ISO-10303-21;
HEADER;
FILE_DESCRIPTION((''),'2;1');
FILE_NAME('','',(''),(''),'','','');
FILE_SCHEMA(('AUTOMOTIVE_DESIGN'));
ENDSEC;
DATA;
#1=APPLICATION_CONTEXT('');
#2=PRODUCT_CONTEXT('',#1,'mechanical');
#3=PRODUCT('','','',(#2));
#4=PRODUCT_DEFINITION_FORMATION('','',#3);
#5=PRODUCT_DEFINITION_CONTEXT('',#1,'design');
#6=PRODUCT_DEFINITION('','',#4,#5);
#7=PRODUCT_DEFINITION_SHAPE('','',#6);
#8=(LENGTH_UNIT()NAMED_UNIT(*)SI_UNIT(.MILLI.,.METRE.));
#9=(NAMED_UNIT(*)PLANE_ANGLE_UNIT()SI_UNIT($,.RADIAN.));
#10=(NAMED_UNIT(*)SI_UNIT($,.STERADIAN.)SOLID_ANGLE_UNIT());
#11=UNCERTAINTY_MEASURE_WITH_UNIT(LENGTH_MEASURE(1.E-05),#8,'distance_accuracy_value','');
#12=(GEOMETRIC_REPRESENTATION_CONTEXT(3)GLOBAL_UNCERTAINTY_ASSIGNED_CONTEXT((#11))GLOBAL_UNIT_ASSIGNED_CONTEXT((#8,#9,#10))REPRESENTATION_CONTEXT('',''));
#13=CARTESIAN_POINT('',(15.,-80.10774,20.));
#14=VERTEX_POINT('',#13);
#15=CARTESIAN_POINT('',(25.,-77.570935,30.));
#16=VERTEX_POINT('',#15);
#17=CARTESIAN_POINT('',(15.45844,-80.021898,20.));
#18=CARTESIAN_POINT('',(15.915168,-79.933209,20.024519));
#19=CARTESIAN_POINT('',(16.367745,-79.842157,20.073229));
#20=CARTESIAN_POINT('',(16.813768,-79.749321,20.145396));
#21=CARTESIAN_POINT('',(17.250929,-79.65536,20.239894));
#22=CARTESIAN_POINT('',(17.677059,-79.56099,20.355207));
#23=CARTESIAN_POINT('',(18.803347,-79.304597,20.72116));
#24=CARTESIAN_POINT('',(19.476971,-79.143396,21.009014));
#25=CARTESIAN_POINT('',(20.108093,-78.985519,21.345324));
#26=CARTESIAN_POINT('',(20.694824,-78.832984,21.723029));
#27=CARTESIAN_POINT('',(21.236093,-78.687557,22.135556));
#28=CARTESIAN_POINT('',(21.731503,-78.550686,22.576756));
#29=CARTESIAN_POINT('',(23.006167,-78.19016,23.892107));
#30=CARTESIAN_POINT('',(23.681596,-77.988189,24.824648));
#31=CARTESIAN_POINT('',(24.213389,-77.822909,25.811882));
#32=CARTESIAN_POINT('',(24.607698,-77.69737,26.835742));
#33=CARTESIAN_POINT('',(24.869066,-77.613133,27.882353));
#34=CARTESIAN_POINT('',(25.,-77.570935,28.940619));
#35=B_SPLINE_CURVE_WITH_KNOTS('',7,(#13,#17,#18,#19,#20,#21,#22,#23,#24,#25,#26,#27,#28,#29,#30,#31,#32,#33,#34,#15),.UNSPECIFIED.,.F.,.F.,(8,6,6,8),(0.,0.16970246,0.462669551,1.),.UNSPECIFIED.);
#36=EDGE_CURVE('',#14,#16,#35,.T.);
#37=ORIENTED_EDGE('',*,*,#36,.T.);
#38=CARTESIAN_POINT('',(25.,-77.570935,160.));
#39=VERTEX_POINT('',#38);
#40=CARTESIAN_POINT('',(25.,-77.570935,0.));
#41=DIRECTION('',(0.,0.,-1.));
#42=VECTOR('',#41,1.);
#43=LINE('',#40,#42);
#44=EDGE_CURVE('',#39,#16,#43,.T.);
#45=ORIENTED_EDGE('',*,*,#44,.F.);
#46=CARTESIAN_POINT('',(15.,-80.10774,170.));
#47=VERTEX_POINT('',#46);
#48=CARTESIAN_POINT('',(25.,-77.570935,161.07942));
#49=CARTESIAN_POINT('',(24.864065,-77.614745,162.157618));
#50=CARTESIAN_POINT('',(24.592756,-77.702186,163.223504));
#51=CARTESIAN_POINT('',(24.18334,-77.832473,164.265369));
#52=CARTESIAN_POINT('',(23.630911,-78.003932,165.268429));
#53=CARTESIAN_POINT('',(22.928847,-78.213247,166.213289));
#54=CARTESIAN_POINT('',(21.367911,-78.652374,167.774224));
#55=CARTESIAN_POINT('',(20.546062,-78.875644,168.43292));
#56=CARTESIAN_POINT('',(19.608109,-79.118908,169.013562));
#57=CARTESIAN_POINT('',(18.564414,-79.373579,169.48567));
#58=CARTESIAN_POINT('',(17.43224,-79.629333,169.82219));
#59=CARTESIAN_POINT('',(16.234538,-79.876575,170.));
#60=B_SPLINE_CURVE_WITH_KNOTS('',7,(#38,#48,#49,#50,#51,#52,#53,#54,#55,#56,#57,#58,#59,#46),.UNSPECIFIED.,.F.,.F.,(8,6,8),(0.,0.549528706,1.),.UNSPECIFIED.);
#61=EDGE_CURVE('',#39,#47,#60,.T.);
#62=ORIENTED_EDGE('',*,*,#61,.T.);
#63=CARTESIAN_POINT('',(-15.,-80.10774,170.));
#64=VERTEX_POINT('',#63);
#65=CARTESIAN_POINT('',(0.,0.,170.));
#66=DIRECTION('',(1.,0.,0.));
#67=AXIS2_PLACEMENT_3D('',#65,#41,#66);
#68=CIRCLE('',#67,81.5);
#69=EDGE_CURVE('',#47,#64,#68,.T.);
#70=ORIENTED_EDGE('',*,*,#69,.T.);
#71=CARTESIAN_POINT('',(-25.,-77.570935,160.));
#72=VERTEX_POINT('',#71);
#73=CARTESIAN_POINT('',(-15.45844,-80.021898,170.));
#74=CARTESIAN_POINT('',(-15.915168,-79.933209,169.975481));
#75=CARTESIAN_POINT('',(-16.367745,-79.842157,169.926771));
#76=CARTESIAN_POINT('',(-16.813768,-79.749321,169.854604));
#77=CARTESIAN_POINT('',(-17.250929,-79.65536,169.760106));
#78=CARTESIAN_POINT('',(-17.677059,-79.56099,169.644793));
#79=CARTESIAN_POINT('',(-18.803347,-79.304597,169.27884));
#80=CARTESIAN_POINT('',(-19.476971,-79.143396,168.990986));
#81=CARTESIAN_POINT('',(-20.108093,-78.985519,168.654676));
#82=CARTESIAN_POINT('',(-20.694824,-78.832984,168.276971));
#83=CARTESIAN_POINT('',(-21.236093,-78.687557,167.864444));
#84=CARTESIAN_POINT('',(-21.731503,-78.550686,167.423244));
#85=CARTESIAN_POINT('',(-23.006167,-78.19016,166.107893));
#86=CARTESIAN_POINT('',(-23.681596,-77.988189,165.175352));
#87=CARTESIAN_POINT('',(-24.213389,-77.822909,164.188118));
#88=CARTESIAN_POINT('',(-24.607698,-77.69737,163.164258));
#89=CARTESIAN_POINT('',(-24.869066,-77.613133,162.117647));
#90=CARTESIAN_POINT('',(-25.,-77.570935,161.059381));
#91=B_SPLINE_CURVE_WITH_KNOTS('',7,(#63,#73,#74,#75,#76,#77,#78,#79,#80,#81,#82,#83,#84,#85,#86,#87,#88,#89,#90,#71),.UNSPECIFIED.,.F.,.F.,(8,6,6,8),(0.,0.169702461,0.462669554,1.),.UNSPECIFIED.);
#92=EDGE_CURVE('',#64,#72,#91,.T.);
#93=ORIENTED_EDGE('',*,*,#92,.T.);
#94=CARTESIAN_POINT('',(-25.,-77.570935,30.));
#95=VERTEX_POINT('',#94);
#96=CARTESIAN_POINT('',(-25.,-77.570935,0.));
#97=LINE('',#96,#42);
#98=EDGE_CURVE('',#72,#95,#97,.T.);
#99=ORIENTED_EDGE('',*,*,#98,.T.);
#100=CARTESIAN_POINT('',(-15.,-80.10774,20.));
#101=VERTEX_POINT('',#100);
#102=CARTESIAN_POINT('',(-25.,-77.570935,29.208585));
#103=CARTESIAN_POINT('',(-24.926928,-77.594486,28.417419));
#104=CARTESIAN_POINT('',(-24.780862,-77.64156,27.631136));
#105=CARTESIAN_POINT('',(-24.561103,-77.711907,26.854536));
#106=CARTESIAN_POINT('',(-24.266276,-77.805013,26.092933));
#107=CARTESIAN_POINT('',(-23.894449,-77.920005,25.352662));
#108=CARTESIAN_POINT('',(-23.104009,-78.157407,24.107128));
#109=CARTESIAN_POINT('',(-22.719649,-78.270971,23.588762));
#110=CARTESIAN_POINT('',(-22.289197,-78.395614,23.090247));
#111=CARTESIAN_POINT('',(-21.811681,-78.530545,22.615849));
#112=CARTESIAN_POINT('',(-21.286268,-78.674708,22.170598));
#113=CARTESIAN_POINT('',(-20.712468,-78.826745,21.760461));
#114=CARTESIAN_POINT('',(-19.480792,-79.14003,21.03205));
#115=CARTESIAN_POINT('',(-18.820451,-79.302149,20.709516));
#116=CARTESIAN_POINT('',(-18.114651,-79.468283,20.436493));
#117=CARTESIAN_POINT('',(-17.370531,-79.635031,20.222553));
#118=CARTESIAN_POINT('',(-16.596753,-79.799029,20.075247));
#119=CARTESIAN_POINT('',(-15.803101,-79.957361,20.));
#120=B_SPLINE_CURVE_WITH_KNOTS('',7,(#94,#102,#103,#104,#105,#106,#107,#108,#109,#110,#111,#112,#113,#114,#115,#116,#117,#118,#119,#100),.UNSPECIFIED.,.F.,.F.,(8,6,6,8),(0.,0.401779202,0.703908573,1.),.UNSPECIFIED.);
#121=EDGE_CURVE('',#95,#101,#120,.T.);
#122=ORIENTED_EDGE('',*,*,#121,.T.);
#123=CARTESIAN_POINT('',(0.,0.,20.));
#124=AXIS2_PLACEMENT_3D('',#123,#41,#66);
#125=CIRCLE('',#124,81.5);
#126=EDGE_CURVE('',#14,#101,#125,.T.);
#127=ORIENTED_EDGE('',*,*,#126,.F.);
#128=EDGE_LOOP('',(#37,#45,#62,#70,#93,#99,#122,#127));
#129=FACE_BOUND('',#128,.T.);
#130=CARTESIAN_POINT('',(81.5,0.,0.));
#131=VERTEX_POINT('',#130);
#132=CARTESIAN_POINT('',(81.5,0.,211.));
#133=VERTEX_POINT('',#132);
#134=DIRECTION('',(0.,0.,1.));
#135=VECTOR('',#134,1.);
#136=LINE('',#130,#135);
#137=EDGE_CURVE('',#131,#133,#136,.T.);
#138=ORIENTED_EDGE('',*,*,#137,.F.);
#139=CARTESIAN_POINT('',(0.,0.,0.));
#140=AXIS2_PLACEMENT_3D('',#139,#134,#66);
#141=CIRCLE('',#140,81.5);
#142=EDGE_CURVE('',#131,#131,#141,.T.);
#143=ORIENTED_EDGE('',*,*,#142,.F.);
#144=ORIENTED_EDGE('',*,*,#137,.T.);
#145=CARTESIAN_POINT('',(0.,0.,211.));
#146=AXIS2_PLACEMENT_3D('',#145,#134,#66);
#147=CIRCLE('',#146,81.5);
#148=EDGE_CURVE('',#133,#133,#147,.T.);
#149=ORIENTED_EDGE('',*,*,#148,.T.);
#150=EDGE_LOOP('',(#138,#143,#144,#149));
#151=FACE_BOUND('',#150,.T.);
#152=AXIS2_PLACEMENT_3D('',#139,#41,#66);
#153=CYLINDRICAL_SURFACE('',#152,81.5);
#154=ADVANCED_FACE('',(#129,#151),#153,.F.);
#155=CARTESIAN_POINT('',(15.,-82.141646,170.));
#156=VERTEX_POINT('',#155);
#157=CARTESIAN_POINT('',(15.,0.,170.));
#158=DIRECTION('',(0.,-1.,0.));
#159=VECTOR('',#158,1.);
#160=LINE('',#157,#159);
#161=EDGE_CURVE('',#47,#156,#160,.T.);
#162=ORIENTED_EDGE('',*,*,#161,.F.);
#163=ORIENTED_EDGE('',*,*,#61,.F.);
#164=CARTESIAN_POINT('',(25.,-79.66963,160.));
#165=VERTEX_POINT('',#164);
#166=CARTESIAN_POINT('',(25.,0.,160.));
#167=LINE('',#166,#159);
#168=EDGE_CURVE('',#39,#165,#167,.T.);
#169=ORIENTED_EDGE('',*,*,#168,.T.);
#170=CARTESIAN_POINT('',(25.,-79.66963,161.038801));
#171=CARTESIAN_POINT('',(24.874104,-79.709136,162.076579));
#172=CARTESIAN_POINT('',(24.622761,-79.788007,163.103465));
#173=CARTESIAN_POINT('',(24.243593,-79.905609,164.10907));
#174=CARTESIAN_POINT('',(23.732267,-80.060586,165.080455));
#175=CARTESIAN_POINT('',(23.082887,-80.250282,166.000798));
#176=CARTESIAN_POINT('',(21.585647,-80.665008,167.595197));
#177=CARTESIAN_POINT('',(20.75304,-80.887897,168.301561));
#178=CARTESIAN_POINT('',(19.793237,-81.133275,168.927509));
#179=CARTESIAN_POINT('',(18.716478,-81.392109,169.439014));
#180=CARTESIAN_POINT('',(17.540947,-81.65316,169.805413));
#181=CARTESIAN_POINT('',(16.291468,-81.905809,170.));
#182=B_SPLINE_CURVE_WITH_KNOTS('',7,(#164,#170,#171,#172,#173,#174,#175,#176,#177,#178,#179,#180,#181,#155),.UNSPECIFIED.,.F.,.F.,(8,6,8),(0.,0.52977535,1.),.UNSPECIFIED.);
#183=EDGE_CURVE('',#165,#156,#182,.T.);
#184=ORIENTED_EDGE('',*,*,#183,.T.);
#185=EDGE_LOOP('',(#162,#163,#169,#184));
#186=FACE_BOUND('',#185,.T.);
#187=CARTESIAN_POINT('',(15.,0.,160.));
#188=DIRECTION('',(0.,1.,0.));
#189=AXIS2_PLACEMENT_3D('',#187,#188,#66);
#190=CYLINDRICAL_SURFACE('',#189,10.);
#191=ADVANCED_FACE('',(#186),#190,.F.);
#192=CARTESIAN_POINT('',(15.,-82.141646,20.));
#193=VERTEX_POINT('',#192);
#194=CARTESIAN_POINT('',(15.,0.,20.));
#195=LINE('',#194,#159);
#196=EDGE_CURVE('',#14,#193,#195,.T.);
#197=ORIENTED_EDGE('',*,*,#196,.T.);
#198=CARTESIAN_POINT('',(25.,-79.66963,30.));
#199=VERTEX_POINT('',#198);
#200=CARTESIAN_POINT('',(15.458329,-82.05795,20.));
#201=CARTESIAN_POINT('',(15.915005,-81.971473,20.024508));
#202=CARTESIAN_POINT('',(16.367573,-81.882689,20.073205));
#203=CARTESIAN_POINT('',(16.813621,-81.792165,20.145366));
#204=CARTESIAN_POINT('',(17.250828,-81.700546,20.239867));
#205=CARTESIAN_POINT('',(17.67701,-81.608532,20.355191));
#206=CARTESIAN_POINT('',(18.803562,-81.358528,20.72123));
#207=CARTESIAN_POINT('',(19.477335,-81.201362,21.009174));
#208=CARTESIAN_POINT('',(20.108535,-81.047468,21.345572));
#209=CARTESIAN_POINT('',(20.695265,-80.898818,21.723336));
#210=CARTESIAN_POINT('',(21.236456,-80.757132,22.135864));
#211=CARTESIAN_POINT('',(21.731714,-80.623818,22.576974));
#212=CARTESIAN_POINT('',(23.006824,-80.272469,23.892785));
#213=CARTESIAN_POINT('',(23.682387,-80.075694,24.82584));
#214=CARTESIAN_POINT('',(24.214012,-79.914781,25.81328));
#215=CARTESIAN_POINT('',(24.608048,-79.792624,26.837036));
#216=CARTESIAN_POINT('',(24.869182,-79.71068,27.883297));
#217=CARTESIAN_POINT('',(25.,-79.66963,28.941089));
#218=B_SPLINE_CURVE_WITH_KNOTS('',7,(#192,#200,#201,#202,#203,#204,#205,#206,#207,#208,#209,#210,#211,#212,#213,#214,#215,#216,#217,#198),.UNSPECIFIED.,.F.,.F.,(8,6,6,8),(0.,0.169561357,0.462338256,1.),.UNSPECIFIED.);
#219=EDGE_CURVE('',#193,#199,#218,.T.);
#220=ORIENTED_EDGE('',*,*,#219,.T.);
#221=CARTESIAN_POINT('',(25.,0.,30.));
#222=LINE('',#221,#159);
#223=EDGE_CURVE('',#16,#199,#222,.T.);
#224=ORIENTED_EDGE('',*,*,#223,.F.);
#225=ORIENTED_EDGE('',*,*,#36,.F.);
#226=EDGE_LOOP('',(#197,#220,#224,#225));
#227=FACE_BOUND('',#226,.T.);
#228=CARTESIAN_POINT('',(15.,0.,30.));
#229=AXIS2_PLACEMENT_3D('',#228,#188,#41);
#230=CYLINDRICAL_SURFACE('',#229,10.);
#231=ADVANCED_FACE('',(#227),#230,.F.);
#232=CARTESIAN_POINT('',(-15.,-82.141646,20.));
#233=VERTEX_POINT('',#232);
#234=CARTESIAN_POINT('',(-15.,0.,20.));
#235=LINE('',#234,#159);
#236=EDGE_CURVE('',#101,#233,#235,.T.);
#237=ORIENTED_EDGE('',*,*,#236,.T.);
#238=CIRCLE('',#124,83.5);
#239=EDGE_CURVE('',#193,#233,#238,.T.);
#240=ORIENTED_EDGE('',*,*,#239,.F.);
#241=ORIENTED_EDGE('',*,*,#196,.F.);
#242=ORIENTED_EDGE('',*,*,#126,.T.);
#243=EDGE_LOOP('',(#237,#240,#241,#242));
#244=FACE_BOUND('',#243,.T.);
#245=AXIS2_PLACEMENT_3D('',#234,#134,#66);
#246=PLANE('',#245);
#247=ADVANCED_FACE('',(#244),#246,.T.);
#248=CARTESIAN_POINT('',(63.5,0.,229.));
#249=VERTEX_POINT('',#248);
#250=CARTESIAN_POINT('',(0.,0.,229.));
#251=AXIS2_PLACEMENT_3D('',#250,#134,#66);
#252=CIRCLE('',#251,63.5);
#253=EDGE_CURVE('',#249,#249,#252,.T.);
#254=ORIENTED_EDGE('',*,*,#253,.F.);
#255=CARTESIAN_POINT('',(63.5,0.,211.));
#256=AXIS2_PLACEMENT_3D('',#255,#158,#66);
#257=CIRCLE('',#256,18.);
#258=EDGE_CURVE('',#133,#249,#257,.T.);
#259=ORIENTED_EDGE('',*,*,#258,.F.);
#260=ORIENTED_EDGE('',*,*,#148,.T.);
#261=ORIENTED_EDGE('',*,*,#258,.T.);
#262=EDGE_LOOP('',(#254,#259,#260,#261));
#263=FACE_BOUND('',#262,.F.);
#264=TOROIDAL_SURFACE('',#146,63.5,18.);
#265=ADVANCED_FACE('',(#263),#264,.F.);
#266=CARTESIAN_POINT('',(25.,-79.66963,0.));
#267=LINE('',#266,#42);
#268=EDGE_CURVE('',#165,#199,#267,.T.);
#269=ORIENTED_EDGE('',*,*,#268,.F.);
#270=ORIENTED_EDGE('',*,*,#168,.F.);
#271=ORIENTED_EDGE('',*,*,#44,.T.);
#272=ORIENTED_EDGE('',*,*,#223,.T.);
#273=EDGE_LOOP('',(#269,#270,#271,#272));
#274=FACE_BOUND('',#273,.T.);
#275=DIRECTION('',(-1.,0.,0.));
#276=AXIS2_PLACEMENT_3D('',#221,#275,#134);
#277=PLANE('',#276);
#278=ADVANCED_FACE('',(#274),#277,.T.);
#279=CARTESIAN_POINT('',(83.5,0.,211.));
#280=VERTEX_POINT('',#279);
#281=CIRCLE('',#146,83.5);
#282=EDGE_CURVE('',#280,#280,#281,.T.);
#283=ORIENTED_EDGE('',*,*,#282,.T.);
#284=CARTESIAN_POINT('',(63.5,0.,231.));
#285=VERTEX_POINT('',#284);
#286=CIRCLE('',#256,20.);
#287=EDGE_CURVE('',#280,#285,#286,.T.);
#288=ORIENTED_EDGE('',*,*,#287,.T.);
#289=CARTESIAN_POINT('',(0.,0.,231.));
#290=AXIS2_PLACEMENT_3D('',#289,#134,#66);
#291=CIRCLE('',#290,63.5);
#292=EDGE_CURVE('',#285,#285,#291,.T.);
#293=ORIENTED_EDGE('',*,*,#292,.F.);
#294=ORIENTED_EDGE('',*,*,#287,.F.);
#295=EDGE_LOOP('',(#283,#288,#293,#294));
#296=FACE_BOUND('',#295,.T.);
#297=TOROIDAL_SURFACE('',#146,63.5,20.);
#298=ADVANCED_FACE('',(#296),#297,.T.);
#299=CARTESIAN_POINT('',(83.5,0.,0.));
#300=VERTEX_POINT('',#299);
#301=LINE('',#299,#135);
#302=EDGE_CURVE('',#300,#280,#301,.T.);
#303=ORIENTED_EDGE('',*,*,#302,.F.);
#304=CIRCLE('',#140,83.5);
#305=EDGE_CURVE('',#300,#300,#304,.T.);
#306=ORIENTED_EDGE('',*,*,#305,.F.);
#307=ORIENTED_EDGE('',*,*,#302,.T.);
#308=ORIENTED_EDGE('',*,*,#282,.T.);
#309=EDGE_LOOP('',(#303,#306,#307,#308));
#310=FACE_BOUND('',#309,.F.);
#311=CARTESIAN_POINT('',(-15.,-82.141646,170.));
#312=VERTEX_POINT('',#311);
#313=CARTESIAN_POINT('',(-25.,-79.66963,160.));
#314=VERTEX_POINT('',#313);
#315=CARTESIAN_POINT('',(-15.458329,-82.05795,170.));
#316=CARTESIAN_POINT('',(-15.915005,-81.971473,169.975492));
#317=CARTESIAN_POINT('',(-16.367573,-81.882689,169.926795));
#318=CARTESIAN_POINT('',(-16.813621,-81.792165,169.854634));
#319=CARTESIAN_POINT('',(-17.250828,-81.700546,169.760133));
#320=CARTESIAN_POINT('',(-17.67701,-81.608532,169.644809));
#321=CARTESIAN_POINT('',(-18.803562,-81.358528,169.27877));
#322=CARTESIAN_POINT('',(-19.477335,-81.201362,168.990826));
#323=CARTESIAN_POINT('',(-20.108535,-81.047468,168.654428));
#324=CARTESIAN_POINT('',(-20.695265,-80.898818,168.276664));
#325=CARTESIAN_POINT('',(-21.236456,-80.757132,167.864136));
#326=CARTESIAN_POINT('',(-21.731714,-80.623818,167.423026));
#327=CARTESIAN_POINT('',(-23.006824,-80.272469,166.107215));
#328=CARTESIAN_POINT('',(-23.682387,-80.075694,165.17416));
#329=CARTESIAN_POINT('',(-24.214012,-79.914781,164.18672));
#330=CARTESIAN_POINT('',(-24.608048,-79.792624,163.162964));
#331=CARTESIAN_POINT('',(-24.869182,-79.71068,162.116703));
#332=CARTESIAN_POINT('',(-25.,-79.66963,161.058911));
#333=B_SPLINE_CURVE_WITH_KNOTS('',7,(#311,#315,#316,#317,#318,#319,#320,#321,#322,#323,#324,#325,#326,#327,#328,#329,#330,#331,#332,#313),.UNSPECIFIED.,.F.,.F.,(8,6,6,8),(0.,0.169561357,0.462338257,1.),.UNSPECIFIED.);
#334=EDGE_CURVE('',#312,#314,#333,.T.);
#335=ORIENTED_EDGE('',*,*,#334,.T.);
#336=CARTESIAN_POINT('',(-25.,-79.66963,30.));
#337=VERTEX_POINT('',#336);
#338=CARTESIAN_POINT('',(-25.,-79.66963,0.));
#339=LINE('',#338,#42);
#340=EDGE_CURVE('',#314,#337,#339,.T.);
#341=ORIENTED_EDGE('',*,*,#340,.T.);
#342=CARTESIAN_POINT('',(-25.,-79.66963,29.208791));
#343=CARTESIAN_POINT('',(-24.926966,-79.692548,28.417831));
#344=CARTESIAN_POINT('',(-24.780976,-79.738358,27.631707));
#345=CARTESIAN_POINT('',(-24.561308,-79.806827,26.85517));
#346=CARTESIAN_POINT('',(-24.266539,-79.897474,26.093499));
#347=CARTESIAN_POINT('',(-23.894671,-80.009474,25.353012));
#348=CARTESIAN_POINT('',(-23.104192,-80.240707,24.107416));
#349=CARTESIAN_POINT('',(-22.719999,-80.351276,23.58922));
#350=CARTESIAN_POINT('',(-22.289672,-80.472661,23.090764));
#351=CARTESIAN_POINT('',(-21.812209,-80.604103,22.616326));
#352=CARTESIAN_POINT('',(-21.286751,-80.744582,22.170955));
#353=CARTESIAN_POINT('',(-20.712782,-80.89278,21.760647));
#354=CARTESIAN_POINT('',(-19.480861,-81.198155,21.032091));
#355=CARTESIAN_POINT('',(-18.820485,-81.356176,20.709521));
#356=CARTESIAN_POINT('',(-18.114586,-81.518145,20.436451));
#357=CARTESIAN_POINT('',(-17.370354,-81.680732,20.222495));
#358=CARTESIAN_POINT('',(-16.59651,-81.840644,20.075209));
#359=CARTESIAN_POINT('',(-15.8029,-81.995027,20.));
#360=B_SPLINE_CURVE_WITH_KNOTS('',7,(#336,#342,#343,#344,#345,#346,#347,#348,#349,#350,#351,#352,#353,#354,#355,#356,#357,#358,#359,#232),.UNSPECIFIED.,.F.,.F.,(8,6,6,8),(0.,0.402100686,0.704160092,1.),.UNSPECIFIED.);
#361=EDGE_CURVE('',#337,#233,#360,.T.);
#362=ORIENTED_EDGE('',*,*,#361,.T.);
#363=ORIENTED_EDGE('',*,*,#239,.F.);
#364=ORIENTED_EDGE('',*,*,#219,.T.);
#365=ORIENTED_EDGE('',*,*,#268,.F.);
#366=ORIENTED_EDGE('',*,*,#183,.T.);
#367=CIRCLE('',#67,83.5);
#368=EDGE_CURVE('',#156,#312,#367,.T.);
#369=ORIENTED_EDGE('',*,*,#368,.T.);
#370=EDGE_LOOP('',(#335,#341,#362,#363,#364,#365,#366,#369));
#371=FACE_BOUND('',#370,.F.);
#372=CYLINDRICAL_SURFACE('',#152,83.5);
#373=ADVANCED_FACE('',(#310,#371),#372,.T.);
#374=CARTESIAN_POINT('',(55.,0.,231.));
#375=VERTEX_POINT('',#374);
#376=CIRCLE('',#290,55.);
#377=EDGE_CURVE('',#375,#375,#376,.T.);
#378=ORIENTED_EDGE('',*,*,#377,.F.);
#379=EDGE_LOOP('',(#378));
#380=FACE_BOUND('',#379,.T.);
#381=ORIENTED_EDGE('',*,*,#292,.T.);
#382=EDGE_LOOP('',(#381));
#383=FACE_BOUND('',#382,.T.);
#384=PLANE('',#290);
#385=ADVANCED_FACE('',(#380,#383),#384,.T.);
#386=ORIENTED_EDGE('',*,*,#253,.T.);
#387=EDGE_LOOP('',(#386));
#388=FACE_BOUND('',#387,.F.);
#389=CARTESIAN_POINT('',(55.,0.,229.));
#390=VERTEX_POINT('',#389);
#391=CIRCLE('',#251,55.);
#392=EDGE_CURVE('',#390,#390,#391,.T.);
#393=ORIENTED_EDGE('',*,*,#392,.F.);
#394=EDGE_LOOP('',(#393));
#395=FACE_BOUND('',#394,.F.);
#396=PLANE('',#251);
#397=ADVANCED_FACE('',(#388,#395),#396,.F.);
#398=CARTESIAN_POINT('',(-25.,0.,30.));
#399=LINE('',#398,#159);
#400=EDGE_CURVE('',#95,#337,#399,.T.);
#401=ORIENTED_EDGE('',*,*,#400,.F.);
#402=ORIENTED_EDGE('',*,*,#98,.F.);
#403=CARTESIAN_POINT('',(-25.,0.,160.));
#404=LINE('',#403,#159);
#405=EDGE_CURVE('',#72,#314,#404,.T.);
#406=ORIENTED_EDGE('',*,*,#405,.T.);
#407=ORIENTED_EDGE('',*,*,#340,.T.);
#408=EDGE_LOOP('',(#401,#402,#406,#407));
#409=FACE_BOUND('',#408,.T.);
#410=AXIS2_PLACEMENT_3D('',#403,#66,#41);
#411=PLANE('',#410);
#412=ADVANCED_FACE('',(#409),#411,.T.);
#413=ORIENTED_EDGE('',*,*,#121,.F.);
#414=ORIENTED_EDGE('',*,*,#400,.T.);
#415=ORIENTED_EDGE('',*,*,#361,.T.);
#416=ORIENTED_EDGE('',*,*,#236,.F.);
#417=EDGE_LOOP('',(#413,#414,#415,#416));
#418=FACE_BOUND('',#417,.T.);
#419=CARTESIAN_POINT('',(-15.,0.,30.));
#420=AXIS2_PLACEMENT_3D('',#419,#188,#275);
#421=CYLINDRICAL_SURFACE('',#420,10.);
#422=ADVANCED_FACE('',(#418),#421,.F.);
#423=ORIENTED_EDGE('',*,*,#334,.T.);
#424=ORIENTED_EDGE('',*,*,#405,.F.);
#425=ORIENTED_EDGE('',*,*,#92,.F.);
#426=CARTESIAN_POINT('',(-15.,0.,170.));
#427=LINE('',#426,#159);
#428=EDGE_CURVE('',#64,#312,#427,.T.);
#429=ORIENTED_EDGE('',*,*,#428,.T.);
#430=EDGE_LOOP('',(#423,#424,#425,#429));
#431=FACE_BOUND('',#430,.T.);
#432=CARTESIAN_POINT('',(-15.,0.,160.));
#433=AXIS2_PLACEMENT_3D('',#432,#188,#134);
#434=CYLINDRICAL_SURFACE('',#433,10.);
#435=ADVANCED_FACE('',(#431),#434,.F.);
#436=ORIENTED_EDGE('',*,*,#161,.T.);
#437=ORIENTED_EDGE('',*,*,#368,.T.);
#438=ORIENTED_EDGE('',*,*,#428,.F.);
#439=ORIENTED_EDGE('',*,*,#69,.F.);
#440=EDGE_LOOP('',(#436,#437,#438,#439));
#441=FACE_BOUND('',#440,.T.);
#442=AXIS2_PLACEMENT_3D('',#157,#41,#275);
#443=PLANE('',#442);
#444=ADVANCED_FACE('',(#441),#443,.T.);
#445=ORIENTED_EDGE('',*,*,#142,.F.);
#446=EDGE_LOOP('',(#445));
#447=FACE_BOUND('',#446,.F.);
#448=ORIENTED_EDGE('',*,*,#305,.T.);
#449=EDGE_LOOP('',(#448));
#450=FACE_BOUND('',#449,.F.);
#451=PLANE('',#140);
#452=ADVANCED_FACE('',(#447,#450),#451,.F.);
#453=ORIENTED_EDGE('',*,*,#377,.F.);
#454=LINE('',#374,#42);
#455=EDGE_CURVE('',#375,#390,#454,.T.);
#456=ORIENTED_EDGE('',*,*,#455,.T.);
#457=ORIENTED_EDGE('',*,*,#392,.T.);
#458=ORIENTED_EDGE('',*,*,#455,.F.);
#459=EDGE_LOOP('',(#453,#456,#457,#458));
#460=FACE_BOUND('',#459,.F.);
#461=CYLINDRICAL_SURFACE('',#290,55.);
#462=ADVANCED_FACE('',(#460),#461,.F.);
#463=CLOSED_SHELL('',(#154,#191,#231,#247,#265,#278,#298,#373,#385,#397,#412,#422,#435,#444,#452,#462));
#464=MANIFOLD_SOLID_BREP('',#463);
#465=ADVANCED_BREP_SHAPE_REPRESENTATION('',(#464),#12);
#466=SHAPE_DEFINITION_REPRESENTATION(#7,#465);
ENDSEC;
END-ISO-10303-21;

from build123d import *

# Parameters (mm, degrees)
F0_R     = 83.5
F1_DEPTH = 231
F2_R     = 20
F3_T     = -2
F5_DEPTH = 84.5000001
F6_R     = 55
F7_DEPTH = 25


with BuildPart() as f1:
    # F0 (on Top) → F1 (new body)
    with BuildSketch(Plane.XY):
        Circle(F0_R)
    extrude(amount=F1_DEPTH)

    # F2
    f2_edges = [f1.edges().sort_by_distance(p)[0] for p in [
        (-83.5, 0, 231),
    ]]
    fillet(f2_edges, radius=F2_R)

    # F3
    f3_openings = [f1.faces().sort_by_distance(p)[0] for p in [
        (0, 0, 0),
    ]]
    offset(amount=F3_T, openings=f3_openings)

    # F4 (on Front) → F5 (cut, up to face)
    with BuildSketch(Plane.XZ):
        with BuildLine():
            Line((-15, 20), (15, 20))
            ThreePointArc((15, 20), (22.0710678119, 22.9289321881), (25, 30))
            Line((25, 30), (25, 160))
            ThreePointArc((25, 160), (22.0710678119, 167.0710678119), (15, 170))
            Line((15, 170), (-15, 170))
            ThreePointArc((-15, 170), (-22.0710678119, 167.0710678119), (-25, 160))
            Line((-25, 160), (-25, 30))
            ThreePointArc((-25, 30), (-22.0710678119, 22.9289321881), (-15, 20))
        make_face()
    extrude(amount=F5_DEPTH, mode=Mode.SUBTRACT)

    # F6 (on face) → F7 (cut)
    with BuildSketch(Plane.XY.offset(231)):
        Circle(F6_R)
    extrude(amount=-F7_DEPTH, mode=Mode.SUBTRACT)


solid = f1.part
